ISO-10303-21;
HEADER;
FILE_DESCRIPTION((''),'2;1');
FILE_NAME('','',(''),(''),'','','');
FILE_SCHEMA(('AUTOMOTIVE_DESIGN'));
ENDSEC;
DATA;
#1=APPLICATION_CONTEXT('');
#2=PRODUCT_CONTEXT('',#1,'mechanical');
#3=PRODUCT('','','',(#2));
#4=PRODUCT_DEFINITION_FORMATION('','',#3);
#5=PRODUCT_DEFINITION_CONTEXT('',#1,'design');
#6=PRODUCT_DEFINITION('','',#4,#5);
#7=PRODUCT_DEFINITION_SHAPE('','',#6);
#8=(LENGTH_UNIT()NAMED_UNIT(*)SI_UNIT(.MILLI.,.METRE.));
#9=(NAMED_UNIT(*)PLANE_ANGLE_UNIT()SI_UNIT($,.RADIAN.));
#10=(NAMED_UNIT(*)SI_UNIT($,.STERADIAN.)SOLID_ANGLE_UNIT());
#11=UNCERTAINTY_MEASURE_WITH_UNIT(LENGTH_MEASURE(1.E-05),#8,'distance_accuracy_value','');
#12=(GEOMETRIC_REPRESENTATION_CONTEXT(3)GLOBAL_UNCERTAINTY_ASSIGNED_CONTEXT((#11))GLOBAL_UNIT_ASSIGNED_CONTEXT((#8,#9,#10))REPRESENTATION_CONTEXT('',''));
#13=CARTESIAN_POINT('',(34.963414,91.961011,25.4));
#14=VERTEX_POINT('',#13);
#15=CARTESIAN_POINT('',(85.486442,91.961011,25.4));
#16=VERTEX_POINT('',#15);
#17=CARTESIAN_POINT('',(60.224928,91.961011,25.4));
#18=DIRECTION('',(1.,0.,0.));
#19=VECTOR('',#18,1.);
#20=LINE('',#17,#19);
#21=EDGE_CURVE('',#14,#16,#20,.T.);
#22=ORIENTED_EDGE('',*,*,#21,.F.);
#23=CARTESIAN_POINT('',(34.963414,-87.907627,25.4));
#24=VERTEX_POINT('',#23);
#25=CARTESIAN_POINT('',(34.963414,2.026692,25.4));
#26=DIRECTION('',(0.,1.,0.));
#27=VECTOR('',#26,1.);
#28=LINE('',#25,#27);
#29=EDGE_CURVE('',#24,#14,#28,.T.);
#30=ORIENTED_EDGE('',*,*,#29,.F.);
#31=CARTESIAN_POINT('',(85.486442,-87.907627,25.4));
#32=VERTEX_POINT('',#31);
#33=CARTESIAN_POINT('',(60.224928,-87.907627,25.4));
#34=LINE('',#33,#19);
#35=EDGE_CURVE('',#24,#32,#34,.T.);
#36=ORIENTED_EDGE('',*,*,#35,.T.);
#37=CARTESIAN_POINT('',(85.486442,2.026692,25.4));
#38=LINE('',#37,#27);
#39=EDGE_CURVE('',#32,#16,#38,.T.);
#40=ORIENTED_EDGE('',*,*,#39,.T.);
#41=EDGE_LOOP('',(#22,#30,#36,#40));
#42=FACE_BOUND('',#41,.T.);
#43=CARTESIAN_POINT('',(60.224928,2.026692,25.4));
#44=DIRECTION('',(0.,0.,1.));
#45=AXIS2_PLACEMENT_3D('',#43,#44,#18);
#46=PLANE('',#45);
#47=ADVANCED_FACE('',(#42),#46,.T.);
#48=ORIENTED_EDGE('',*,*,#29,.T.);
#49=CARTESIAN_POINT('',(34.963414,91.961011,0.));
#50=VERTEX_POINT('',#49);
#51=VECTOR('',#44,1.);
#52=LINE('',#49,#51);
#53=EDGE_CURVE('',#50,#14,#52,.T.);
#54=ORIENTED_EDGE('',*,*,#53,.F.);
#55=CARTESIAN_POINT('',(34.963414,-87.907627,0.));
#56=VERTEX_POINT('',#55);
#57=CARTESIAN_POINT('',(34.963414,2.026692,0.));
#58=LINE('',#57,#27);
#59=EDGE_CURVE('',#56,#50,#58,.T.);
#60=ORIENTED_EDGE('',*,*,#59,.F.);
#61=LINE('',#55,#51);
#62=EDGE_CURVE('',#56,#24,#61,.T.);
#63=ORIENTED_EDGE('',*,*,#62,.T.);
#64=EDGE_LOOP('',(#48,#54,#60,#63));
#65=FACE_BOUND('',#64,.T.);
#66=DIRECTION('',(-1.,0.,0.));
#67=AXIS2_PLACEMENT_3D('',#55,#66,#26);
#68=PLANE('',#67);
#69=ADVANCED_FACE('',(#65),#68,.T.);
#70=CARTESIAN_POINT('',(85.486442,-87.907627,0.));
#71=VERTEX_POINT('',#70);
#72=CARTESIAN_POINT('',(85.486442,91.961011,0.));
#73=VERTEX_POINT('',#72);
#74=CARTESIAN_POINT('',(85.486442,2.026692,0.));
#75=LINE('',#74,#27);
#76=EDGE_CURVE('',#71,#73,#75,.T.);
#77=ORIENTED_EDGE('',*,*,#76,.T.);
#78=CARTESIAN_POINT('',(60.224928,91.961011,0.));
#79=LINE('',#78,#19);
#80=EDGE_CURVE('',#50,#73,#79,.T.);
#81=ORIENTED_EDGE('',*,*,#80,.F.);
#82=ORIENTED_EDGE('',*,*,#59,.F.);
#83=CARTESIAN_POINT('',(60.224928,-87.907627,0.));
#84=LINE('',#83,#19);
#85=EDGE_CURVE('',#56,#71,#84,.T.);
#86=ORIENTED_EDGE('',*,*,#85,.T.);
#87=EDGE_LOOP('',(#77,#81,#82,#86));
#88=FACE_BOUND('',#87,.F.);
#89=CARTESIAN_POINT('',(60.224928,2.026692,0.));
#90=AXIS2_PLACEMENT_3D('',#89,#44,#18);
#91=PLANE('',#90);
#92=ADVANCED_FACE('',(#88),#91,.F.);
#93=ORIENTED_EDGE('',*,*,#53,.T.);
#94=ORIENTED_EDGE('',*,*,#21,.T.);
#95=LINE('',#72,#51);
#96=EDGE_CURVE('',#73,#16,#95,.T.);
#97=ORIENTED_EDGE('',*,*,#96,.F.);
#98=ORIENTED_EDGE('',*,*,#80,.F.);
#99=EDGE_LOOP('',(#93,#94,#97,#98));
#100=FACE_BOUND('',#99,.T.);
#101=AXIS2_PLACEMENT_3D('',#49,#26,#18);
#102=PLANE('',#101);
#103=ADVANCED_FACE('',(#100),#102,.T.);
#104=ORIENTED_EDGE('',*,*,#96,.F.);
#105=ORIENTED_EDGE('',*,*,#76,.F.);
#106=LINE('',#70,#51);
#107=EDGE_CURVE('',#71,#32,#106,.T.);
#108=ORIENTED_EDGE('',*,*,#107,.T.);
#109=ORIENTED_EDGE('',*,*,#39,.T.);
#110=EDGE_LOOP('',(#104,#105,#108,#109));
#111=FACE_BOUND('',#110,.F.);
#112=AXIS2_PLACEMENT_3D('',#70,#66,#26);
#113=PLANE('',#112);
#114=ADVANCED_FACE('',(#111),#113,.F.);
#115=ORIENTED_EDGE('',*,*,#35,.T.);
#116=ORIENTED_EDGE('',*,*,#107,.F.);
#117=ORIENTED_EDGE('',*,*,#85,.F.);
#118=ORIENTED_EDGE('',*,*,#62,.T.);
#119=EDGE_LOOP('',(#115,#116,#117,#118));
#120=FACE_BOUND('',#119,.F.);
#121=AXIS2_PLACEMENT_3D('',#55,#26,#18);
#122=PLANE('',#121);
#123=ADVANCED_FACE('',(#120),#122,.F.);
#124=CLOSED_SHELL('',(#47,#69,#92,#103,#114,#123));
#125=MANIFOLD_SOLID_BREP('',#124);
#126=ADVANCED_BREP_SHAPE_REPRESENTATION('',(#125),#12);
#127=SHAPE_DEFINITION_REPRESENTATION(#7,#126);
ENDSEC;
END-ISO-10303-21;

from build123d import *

# Parameters (mm, degrees)
F1_W     = 50.523028
F1_H     = 179.868638
F2_DEPTH = 25.4


with BuildPart() as f2:
    # F1 (on face) → F2 (new body)
    with BuildSketch(Plane.XY):
        with Locations((60.224928, 2.026692)):
            Rectangle(F1_W, F1_H)
    extrude(amount=F2_DEPTH)


solid = f2.part
